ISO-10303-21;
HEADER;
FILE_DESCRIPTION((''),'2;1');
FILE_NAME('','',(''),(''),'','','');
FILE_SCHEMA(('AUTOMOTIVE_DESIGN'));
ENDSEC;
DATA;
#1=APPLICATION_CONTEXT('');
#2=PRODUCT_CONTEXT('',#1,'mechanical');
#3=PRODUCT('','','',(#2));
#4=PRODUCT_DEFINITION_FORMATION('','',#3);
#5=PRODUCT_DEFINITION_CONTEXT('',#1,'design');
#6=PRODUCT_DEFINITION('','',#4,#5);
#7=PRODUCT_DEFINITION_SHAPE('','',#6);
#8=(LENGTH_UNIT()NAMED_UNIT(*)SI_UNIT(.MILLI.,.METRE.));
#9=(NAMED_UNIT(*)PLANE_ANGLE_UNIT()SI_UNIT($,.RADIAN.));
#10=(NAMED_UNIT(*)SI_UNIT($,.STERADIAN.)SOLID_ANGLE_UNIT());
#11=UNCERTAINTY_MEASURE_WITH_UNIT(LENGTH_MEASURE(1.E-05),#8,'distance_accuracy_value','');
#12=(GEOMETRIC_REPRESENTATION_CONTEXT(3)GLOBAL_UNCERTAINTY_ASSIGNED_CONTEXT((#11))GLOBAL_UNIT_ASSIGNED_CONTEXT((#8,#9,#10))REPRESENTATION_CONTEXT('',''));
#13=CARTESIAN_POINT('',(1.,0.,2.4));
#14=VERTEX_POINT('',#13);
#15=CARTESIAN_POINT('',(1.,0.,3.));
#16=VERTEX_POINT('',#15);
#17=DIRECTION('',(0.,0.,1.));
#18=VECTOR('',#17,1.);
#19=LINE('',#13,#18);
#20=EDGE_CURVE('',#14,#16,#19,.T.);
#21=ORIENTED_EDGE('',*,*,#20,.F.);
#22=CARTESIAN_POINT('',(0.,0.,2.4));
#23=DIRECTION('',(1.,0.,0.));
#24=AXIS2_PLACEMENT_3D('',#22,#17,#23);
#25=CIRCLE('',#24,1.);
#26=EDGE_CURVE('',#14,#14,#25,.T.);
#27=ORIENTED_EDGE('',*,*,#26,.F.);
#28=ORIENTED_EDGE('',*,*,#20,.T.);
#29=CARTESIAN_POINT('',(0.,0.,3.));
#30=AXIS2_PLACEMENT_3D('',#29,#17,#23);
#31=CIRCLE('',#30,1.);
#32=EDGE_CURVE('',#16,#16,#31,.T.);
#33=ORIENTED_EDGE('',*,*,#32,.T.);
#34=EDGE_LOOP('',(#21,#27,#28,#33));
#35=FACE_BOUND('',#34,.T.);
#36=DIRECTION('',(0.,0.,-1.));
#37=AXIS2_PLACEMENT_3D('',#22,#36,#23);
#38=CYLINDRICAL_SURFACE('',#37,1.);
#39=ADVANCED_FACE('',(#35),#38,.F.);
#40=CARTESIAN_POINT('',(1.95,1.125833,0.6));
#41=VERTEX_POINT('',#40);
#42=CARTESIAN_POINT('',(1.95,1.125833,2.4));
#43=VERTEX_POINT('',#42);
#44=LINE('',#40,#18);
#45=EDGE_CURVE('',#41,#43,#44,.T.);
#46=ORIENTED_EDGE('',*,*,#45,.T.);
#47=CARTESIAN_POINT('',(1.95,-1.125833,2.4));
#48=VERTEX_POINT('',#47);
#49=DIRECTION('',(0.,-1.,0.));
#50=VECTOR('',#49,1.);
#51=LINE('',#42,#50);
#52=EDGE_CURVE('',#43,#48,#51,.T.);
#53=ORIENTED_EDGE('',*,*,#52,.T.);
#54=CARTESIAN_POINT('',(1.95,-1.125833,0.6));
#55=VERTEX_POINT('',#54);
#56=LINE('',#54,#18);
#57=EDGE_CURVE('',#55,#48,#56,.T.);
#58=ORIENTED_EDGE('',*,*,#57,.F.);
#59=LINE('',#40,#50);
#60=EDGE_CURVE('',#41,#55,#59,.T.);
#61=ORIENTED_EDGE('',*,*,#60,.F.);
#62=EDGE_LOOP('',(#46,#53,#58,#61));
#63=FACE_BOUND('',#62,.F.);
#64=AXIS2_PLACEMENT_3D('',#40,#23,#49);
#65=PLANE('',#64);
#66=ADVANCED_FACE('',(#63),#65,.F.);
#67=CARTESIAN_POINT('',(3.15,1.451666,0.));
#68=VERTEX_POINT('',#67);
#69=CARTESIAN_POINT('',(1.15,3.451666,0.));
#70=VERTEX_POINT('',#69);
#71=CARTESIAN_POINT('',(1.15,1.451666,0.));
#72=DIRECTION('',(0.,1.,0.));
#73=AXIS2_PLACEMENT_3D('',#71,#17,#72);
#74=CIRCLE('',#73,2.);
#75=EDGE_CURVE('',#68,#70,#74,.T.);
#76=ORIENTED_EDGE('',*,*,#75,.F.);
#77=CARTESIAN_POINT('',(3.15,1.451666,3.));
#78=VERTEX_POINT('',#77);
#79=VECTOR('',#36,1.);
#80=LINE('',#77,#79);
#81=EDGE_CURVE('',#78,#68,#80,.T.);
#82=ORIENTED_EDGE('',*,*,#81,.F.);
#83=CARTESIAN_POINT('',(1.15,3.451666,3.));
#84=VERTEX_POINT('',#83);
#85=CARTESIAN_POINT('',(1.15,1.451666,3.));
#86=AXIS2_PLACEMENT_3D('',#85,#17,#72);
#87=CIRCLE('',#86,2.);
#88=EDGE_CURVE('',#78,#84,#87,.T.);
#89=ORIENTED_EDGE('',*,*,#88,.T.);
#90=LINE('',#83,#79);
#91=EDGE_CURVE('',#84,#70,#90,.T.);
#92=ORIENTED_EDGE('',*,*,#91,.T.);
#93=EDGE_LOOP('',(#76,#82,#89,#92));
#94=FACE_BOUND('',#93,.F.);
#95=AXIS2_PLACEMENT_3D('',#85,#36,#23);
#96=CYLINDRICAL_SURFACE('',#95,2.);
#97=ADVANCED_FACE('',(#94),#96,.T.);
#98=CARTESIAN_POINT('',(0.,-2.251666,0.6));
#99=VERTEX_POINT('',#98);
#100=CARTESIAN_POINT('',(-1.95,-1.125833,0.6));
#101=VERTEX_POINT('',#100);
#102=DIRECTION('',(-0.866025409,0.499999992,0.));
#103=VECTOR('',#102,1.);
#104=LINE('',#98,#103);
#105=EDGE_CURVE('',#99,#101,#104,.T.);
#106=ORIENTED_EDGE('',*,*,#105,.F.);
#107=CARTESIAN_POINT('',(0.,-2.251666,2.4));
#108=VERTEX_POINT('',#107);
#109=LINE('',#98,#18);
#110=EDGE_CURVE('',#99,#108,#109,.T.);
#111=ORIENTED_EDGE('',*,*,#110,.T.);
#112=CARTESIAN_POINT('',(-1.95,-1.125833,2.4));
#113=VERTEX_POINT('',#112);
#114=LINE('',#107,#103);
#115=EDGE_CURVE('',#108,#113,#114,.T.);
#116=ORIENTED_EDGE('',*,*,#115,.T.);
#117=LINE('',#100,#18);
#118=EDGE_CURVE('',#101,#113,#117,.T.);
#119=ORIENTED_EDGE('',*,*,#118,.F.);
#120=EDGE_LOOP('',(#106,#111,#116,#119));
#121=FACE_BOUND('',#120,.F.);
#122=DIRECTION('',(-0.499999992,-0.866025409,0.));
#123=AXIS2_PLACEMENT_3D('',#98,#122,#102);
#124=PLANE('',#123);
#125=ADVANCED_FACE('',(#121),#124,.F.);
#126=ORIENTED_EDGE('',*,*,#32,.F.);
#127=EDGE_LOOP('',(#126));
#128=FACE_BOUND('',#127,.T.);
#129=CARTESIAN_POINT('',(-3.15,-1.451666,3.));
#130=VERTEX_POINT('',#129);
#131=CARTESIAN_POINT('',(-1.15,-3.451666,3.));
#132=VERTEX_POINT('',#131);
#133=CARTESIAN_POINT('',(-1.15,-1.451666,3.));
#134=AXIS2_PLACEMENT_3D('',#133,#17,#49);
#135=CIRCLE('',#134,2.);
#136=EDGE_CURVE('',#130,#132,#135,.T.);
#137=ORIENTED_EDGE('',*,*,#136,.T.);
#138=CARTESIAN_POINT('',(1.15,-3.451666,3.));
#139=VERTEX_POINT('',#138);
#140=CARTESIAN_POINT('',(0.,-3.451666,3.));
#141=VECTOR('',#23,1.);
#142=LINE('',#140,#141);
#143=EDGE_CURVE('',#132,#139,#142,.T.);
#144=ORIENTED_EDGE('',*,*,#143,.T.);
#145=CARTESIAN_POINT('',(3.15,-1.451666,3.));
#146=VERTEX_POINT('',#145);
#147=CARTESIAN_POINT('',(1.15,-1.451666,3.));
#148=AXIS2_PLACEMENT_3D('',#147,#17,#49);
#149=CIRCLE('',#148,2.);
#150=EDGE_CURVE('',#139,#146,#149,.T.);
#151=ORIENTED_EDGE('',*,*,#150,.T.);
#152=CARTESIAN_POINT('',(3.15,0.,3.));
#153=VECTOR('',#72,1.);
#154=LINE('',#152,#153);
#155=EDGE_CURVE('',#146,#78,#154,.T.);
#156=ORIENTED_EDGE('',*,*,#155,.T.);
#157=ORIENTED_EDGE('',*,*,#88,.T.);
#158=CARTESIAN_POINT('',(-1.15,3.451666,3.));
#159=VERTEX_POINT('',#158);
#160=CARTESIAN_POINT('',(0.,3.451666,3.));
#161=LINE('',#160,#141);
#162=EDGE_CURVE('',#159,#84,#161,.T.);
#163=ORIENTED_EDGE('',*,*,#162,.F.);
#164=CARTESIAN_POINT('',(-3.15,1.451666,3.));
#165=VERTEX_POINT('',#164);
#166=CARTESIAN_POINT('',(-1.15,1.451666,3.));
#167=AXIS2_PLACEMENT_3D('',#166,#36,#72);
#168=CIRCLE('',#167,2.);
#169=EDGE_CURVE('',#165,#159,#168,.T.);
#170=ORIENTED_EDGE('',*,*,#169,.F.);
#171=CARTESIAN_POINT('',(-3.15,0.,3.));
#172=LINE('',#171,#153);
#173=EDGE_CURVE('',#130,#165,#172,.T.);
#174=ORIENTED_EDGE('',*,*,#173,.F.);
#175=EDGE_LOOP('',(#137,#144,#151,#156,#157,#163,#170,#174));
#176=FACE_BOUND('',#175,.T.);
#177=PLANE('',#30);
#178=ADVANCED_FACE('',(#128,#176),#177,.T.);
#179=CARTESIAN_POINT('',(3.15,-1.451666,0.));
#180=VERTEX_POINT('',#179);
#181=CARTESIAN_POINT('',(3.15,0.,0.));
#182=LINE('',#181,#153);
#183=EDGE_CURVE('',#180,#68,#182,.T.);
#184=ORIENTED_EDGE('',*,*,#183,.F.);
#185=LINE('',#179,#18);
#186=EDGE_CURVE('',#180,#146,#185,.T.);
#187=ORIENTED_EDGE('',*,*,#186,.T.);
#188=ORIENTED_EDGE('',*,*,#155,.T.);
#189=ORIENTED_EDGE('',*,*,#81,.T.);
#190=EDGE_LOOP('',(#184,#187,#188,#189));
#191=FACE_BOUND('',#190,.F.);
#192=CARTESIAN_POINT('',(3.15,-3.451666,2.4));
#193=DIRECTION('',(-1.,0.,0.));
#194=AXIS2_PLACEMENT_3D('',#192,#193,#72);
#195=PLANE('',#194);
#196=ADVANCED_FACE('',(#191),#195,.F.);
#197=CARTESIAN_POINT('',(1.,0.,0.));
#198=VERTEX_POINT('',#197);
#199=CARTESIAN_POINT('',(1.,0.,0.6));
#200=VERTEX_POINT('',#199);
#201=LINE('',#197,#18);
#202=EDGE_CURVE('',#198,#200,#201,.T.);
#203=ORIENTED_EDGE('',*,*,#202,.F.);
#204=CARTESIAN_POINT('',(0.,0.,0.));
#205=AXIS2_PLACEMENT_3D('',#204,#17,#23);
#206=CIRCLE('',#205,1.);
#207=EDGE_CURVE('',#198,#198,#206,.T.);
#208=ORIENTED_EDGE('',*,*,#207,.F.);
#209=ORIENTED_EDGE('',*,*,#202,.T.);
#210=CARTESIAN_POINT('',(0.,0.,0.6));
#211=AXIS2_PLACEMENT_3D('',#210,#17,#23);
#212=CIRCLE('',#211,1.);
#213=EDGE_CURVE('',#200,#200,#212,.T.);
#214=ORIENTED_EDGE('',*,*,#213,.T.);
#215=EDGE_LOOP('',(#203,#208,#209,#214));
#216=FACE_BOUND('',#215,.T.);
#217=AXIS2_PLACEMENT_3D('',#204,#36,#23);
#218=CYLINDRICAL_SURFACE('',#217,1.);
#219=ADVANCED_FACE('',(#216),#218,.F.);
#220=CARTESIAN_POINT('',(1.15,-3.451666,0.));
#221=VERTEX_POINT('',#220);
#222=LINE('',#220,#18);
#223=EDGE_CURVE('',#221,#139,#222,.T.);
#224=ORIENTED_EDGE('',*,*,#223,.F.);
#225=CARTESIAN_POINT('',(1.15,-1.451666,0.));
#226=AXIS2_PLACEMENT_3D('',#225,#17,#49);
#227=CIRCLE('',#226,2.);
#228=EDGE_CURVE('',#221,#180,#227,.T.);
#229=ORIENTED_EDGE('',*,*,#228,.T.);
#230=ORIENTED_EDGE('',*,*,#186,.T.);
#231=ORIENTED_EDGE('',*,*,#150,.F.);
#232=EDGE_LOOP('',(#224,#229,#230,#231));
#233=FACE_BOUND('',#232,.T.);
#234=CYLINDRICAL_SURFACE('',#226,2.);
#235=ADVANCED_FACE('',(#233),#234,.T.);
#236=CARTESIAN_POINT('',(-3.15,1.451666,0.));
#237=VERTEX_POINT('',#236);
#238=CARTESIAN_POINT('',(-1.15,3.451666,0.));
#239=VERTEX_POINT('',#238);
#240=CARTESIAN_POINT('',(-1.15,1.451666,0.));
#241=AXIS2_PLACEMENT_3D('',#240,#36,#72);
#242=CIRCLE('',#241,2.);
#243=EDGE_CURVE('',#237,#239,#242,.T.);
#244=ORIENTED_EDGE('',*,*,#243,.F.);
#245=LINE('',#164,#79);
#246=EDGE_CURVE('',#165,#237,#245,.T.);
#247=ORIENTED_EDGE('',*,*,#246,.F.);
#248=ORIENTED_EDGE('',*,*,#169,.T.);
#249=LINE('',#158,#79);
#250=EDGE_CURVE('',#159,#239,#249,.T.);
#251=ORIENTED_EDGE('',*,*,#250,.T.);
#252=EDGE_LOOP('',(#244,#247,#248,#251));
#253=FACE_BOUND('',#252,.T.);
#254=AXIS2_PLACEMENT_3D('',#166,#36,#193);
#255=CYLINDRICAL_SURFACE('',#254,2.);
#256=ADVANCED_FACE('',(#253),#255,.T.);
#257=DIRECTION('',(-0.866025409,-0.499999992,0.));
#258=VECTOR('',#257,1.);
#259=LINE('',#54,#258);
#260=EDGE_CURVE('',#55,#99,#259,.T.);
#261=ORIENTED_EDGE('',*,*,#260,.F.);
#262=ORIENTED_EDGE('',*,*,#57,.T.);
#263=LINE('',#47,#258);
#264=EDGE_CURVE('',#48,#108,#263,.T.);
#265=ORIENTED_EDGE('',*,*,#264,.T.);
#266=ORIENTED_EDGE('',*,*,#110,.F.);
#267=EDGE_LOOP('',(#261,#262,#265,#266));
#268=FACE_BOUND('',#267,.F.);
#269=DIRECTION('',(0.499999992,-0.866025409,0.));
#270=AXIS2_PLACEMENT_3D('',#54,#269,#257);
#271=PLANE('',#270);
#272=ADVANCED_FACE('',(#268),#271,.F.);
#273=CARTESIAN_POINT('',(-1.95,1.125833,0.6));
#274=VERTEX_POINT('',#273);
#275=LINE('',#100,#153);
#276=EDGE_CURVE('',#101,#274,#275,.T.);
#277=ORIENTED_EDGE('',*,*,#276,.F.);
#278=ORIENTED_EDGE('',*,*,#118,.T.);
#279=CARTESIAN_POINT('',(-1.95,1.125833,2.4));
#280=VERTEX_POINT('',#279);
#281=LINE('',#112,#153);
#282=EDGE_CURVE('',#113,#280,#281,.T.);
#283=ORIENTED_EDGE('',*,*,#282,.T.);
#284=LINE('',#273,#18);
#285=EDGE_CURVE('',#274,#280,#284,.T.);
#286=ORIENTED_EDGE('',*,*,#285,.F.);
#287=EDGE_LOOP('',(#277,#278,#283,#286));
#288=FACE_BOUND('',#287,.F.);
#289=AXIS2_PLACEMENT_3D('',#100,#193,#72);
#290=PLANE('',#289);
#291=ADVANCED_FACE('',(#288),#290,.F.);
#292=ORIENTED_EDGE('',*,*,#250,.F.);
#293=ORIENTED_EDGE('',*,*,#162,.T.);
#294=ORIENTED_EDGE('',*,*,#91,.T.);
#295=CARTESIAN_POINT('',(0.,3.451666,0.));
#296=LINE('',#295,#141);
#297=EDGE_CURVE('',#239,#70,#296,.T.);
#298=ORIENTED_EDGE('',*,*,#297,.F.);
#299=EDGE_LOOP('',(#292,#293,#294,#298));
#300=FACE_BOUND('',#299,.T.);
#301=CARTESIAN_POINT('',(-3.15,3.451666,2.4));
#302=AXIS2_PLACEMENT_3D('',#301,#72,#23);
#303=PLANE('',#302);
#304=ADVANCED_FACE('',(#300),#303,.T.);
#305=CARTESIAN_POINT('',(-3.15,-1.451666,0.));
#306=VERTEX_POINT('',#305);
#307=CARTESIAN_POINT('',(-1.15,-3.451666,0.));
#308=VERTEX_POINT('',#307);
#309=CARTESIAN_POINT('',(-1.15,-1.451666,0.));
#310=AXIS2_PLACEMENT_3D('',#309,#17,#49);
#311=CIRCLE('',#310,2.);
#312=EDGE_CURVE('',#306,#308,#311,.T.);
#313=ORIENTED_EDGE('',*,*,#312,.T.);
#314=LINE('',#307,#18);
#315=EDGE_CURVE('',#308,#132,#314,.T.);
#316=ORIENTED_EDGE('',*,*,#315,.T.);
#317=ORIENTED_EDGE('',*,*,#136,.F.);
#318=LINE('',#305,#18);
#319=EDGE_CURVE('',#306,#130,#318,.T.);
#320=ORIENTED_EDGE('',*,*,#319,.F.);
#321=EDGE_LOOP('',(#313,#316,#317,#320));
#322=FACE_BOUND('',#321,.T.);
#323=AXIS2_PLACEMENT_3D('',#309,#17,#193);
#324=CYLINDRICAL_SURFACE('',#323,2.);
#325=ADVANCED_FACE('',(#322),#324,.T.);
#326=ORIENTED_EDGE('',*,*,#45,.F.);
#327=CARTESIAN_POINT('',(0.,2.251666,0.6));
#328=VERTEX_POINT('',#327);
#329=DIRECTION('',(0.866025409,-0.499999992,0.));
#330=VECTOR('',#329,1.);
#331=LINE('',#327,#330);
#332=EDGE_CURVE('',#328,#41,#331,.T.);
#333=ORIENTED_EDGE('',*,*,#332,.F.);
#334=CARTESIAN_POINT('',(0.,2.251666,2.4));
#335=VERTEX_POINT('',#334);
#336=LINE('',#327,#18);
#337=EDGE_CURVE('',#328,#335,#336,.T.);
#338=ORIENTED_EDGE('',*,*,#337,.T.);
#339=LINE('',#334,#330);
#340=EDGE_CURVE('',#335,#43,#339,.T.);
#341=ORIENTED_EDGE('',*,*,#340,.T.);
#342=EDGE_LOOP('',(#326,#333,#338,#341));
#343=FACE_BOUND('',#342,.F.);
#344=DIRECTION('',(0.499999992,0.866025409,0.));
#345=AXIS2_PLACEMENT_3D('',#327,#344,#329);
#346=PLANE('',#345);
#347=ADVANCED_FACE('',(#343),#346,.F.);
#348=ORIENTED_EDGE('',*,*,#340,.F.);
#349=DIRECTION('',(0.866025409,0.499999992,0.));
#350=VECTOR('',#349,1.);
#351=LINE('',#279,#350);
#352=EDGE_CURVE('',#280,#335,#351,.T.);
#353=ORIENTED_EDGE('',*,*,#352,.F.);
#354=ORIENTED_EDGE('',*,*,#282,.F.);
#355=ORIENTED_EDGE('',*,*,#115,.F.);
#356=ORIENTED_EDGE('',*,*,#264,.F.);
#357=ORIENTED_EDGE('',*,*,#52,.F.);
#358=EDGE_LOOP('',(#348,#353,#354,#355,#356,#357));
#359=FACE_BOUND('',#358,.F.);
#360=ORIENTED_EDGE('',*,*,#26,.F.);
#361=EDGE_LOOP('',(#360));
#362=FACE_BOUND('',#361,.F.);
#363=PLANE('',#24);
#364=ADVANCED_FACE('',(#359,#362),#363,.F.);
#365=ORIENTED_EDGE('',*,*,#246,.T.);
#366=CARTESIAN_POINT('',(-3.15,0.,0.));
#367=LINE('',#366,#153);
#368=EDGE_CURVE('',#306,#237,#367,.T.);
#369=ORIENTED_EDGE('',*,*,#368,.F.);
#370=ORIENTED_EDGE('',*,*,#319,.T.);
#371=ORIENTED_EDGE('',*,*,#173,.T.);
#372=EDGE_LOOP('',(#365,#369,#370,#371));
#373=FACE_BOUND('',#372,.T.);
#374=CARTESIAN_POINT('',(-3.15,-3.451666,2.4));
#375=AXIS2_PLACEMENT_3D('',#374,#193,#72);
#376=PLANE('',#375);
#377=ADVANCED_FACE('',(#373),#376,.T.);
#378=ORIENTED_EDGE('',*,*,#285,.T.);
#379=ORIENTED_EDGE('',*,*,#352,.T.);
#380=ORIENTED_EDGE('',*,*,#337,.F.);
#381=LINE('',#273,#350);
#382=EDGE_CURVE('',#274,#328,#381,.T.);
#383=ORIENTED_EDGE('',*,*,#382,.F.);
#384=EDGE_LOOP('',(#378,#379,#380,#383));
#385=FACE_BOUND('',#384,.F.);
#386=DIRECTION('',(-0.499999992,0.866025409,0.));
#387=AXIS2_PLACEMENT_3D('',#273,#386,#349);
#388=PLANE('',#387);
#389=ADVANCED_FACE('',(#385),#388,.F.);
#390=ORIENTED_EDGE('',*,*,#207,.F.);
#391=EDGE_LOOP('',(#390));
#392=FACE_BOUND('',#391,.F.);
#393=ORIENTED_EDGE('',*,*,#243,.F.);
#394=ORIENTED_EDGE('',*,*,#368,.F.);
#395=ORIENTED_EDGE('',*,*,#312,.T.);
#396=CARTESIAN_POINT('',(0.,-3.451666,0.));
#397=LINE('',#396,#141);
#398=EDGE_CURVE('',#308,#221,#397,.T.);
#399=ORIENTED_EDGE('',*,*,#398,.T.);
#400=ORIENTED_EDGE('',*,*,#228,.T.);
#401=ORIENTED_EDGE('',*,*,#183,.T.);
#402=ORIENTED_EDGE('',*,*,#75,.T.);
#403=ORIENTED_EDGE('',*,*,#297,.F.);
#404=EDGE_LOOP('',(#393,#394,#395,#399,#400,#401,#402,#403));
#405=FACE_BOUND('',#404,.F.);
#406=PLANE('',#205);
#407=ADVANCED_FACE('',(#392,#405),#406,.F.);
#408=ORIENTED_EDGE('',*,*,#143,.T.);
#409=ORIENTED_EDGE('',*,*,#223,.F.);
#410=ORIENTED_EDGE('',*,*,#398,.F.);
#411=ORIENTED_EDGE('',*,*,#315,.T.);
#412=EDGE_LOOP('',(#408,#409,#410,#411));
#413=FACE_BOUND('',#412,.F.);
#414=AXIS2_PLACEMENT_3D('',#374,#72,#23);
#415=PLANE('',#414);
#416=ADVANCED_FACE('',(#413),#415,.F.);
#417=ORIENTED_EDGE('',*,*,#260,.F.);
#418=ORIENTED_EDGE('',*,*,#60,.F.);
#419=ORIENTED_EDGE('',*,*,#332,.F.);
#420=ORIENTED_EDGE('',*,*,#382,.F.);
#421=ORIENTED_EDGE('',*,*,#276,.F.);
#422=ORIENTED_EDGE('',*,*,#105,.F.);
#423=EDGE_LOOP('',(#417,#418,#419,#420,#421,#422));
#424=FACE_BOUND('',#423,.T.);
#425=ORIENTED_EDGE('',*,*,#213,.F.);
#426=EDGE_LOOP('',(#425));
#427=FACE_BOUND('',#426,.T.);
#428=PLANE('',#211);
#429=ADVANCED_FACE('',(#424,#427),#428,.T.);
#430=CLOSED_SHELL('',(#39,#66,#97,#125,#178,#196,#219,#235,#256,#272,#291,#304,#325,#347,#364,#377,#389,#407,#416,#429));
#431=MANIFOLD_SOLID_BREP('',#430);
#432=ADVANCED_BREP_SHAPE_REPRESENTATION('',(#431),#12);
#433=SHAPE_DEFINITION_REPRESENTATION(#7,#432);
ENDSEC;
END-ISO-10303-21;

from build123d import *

# Parameters (mm, degrees)
F0_W     = 6.3
F0_H     = 6.903332
F0_R     = 1
F1_DEPTH = 0.6
F2_W     = 6.3
F2_H     = 6.903332
F3_DEPTH = 1.8
F4_W     = 6.3
F4_H     = 6.903332
F4_R     = 1
F5_DEPTH = 0.6
F6_R     = 2


with BuildPart() as f1:
    # F0 (on Top) → F1 (new body)
    with BuildSketch(Plane.XY):
        Rectangle(F0_W, F0_H)
        Circle(F0_R, mode=Mode.SUBTRACT)
    extrude(amount=F1_DEPTH)

    # F2 (on face) → F3 (join)
    with BuildSketch(Plane.XY.offset(0.6)):
        Rectangle(F2_W, F2_H)
        Polygon((-1.95, 1.125833), (0, 2.251666), (1.95, 1.125833), (1.95, -1.125833), (0, -2.251666), (-1.95, -1.125833), align=None, mode=Mode.SUBTRACT)
    extrude(amount=F3_DEPTH)

    # F4 (on face) → F5 (join)
    with BuildSketch(Plane.XY.offset(2.4)):
        Rectangle(F4_W, F4_H)
        Circle(F4_R, mode=Mode.SUBTRACT)
    extrude(amount=F5_DEPTH)

    # F6
    f6_edges = [f1.edges().sort_by_distance(p)[0] for p in [
        (3.15, -3.451666, 1.5),
        (3.15, 3.451666, 1.5),
        (-3.15, 3.451666, 1.5),
        (-3.15, -3.451666, 1.5),
    ]]
    fillet(f6_edges, radius=F6_R)


solid = f1.part
